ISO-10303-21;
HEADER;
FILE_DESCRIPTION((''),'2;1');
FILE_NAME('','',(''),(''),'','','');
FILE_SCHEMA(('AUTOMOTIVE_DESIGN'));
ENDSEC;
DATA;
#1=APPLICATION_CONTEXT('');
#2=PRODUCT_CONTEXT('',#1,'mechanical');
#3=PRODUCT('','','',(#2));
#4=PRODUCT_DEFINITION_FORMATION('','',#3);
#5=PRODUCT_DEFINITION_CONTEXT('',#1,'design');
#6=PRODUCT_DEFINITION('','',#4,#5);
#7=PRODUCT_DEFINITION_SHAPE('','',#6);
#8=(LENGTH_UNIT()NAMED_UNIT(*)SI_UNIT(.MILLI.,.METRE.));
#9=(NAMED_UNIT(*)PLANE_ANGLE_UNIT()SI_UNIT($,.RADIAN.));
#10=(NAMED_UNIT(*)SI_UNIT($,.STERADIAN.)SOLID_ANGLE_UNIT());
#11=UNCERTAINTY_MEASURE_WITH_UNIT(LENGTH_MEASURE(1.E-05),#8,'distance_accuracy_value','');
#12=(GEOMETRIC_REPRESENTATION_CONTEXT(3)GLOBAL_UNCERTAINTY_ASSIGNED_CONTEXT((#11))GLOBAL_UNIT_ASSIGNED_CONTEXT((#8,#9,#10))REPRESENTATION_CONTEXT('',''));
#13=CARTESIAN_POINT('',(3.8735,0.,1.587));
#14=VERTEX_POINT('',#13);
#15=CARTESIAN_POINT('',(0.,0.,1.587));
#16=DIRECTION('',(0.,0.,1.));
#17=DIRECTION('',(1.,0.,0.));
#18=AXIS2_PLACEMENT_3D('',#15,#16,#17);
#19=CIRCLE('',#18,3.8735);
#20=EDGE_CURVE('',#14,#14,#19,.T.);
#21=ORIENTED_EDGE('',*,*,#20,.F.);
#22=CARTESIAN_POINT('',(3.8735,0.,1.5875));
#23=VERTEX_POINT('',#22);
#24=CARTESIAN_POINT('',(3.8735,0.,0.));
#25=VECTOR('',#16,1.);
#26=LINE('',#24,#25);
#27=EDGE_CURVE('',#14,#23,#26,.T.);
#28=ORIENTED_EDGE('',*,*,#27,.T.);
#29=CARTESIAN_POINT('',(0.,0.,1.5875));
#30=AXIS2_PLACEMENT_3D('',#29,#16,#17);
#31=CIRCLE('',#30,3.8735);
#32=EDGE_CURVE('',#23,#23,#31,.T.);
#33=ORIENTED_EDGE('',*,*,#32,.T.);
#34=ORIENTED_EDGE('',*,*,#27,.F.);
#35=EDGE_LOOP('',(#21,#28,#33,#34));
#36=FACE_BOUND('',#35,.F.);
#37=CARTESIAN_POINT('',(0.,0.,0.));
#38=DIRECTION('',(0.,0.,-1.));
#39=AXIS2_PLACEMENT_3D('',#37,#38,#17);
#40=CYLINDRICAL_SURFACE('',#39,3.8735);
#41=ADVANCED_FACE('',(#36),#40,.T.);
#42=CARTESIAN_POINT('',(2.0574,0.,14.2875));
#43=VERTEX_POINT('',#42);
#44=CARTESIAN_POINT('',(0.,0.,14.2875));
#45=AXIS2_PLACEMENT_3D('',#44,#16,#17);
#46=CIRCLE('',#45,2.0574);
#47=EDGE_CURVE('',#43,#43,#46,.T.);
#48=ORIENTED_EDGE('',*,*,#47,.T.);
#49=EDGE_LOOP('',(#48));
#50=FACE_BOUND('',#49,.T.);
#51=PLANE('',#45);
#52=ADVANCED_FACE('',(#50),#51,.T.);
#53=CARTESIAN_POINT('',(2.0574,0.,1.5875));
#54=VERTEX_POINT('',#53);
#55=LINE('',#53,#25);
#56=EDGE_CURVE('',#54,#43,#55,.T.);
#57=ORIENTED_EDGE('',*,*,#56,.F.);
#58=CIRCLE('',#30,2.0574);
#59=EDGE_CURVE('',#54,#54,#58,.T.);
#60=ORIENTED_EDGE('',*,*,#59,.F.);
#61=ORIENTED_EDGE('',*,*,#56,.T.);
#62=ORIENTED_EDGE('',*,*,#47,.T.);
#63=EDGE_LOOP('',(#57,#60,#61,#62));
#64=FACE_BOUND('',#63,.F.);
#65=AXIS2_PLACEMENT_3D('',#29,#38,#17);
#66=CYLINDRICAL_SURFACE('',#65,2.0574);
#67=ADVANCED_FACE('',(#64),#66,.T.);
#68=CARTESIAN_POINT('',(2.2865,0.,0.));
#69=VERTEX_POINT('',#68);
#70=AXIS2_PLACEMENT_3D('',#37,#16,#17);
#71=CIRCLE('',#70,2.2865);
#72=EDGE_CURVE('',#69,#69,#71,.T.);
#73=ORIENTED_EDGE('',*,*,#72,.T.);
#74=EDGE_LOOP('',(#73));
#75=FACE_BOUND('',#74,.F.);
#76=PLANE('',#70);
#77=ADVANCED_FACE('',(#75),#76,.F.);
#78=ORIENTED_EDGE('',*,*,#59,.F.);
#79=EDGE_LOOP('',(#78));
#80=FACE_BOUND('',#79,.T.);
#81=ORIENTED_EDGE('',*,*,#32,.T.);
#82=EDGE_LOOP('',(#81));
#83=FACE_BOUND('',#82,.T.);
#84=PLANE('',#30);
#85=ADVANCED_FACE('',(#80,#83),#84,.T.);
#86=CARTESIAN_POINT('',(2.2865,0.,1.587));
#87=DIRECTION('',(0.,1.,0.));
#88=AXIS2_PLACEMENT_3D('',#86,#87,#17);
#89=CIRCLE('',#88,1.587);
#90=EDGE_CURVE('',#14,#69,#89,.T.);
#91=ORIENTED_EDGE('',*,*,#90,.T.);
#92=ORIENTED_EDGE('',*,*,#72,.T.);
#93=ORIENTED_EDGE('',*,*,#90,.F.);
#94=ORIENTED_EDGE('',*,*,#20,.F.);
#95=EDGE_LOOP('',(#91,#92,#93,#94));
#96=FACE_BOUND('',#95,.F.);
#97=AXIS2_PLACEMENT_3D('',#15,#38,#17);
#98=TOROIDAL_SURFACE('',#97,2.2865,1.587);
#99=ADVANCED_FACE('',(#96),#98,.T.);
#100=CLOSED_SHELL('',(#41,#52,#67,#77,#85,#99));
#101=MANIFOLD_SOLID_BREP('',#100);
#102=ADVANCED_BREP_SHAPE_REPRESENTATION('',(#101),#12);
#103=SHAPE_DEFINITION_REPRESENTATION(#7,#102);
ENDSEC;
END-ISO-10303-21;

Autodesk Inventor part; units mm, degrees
ref_plane "YZ Plane" through (0, 0, 0) normal (1, 0, 0) x (0, 1, 0)
ref_plane "XZ Plane" through (0, 0, 0) normal (0, 1, 0) x (-1, 0, 0)
ref_plane "XY Plane" through (0, 0, 0) normal (0, 0, 1) x (1, 0, 0)
sketch "Sketch1" plane through (0, 0, 0) normal (0, 0, 1) x (1, 0, 0)
  circle A0 centre (0, 0) radius 3.8735
  dimension "d0" = 7.747
extrude "Extrusion1" add sketch "Sketch1" along normal blind 1.5875
fillet "Fillet1" radius 1.5875 1 edges at (-3.8735, 0, 0)
sketch "Sketch2" plane through (0, 0, 1.5875) normal (0, 0, 1) x (1, 0, 0)
  circle A0 centre (0, 0) radius 3.8735 projected
  circle A1 centre (0, 0) radius 2.0574
  dimension "d4" = 4.1148
extrude "Extrusion2" add sketch "Sketch2" along normal blind 12.7 contours A1
thread "Thread1" size "8-32 UNC" class "2A" standard "ANSI Unified Screw Threads" full length
properties part number "8-32 Screw"
